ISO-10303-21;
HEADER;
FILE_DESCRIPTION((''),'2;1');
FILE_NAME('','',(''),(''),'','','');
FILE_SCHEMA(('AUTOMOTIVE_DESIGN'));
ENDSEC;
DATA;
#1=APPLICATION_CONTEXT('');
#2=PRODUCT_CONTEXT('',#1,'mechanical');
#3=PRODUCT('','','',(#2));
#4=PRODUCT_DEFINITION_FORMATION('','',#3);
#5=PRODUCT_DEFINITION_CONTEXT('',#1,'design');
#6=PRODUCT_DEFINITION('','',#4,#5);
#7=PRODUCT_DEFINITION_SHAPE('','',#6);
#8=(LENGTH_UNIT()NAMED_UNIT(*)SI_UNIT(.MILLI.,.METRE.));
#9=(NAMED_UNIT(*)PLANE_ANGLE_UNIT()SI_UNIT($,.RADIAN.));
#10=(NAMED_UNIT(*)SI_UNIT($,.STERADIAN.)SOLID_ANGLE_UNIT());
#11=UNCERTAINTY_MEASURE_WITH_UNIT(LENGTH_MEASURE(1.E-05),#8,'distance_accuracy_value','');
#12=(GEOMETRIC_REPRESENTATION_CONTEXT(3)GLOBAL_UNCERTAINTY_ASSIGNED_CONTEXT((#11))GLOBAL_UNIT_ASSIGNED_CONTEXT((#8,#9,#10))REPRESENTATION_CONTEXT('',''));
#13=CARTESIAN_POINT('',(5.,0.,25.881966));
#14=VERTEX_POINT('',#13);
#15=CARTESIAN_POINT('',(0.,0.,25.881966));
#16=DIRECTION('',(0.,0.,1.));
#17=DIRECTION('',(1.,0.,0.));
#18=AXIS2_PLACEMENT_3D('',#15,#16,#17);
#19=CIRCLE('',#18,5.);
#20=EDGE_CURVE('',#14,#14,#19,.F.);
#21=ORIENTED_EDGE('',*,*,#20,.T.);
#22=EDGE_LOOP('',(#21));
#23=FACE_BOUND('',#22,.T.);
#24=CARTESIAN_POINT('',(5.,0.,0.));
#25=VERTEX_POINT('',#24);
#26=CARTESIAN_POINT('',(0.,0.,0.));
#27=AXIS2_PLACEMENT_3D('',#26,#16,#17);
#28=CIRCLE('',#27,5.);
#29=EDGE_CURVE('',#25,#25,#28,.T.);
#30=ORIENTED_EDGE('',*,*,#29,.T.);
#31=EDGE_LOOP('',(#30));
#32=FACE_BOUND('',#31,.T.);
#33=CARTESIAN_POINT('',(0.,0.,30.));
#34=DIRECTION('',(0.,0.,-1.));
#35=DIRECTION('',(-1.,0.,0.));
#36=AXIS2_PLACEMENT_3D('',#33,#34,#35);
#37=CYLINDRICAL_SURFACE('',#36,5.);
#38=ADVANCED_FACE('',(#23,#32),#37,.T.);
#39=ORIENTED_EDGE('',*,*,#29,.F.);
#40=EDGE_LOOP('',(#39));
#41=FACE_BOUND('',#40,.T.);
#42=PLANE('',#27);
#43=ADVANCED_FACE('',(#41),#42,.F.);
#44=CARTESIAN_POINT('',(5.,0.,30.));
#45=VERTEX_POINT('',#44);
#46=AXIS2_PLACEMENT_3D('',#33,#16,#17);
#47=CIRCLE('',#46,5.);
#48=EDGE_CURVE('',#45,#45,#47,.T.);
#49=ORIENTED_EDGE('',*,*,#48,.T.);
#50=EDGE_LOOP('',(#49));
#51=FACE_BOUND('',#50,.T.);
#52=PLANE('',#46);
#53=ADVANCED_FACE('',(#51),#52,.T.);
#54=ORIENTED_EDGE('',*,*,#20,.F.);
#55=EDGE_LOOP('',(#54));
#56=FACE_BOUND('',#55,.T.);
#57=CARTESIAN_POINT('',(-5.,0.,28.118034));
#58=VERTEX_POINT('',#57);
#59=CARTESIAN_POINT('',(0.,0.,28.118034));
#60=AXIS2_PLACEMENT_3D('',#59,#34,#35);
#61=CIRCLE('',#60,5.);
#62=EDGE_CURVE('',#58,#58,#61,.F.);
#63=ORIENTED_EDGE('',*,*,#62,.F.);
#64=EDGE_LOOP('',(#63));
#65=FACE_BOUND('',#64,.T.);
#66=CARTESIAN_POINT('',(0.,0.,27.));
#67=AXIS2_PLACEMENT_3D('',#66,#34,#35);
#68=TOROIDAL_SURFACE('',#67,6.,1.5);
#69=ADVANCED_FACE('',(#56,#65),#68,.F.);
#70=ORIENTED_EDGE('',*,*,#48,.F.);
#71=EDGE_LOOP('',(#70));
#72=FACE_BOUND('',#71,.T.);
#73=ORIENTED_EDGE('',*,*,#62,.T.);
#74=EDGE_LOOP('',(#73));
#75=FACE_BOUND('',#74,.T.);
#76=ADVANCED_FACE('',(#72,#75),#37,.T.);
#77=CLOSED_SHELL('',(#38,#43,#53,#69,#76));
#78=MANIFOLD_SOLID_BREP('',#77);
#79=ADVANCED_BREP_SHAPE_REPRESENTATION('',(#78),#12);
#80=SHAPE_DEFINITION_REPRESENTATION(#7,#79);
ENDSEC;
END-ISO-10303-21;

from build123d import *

# Parameters (mm, degrees)
ESQUISSE1_R        = 5
BOSS_EXTRU_1_DEPTH = 30
ESQUISSE2_R        = 1.5


with BuildPart() as part:
    # Esquisse1 → Boss.-Extru.1 (new body)
    with BuildSketch(Plane.XY):
        Circle(ESQUISSE1_R)
    extrude(amount=BOSS_EXTRU_1_DEPTH)

    # Esquisse2 → Enlèvement de matière-Révolution1 (revolve, cut)
    with BuildSketch(Plane(origin=(0, 0, 0), x_dir=(0, 0, -1), z_dir=(1, 0, 0))):
        with Locations((-27, 6)):
            Circle(ESQUISSE2_R)
    revolve(axis=Axis((0, 0, -1.5), (0, 0, 1)), mode=Mode.SUBTRACT)


solid = part.part
